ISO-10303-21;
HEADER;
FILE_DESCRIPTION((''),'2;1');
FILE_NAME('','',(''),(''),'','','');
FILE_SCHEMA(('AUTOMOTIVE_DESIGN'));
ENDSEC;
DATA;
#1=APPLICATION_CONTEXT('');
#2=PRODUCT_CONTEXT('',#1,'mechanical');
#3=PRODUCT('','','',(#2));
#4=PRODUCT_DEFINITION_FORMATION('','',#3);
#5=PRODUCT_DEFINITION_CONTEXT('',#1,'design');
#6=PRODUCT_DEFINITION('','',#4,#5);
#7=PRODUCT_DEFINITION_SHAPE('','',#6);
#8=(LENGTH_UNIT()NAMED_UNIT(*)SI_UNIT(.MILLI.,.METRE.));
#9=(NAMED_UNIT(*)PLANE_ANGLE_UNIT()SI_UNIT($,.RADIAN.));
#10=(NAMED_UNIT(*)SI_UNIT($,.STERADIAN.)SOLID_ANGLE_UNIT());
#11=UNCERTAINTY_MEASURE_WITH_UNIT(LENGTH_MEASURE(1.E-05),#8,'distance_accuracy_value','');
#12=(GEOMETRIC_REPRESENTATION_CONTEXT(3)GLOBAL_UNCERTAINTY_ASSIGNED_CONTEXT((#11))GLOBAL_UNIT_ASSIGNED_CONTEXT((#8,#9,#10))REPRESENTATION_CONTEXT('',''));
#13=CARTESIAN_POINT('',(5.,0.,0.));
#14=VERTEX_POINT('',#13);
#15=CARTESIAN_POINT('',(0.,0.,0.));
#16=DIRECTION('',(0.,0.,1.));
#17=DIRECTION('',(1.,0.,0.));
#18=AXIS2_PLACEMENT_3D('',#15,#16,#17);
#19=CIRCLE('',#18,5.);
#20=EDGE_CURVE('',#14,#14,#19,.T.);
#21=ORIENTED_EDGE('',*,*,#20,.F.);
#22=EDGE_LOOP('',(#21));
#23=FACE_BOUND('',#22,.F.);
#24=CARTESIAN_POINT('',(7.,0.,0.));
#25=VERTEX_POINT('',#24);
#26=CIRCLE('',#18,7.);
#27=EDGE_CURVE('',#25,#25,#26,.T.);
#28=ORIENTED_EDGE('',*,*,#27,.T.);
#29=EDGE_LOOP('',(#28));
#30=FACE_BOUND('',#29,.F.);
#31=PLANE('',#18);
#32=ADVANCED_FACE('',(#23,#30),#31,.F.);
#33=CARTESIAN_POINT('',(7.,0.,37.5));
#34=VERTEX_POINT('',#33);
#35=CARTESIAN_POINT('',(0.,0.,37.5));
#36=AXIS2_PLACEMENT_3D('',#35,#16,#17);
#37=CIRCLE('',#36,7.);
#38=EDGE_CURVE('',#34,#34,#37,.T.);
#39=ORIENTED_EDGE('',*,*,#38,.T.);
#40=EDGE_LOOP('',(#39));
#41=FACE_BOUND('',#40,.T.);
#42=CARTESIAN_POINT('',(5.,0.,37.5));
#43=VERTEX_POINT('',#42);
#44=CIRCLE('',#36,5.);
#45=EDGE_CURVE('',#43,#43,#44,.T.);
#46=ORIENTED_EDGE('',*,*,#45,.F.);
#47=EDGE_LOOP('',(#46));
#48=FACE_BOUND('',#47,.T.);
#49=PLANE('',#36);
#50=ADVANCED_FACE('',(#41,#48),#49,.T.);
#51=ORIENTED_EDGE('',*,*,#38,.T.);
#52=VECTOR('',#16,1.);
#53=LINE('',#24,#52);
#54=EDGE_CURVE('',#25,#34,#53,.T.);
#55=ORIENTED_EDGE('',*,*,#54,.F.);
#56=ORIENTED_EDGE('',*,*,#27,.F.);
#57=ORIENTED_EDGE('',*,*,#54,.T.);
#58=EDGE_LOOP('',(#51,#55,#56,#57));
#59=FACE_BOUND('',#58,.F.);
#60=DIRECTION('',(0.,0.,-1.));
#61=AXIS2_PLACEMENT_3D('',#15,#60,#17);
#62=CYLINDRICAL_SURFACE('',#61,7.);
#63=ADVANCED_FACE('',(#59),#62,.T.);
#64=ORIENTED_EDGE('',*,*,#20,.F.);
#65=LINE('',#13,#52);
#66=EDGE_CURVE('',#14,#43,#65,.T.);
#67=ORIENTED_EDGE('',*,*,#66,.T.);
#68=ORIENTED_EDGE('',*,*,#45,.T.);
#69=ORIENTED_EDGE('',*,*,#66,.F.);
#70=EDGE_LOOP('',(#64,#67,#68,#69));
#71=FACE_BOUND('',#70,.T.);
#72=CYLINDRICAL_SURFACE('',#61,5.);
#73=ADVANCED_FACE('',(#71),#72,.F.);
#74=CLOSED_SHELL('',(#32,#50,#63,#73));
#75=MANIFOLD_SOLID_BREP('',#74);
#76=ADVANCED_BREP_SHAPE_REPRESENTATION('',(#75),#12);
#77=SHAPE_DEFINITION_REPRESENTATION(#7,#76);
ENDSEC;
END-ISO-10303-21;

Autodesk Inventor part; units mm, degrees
ref_plane "YZ Plane" through (0, 0, 0) normal (1, 0, 0) x (0, 1, 0)
ref_plane "XZ Plane" through (0, 0, 0) normal (0, 1, 0) x (-1, 0, 0)
ref_plane "XY Plane" through (0, 0, 0) normal (0, 0, 1) x (1, 0, 0)
sketch "草图1" plane through (0, 0, 0) normal (0, 0, 1) x (1, 0, 0)
  circle A0 centre (0, 0) radius 5
  circle A1 centre (0, 0) radius 7
  dimension "轴径" = 10
  dimension "外径" = 14
extrude "拉伸1" add sketch "草图1" along normal blind 37.5
properties part number "凸轮套筒" material "PVC 管"
